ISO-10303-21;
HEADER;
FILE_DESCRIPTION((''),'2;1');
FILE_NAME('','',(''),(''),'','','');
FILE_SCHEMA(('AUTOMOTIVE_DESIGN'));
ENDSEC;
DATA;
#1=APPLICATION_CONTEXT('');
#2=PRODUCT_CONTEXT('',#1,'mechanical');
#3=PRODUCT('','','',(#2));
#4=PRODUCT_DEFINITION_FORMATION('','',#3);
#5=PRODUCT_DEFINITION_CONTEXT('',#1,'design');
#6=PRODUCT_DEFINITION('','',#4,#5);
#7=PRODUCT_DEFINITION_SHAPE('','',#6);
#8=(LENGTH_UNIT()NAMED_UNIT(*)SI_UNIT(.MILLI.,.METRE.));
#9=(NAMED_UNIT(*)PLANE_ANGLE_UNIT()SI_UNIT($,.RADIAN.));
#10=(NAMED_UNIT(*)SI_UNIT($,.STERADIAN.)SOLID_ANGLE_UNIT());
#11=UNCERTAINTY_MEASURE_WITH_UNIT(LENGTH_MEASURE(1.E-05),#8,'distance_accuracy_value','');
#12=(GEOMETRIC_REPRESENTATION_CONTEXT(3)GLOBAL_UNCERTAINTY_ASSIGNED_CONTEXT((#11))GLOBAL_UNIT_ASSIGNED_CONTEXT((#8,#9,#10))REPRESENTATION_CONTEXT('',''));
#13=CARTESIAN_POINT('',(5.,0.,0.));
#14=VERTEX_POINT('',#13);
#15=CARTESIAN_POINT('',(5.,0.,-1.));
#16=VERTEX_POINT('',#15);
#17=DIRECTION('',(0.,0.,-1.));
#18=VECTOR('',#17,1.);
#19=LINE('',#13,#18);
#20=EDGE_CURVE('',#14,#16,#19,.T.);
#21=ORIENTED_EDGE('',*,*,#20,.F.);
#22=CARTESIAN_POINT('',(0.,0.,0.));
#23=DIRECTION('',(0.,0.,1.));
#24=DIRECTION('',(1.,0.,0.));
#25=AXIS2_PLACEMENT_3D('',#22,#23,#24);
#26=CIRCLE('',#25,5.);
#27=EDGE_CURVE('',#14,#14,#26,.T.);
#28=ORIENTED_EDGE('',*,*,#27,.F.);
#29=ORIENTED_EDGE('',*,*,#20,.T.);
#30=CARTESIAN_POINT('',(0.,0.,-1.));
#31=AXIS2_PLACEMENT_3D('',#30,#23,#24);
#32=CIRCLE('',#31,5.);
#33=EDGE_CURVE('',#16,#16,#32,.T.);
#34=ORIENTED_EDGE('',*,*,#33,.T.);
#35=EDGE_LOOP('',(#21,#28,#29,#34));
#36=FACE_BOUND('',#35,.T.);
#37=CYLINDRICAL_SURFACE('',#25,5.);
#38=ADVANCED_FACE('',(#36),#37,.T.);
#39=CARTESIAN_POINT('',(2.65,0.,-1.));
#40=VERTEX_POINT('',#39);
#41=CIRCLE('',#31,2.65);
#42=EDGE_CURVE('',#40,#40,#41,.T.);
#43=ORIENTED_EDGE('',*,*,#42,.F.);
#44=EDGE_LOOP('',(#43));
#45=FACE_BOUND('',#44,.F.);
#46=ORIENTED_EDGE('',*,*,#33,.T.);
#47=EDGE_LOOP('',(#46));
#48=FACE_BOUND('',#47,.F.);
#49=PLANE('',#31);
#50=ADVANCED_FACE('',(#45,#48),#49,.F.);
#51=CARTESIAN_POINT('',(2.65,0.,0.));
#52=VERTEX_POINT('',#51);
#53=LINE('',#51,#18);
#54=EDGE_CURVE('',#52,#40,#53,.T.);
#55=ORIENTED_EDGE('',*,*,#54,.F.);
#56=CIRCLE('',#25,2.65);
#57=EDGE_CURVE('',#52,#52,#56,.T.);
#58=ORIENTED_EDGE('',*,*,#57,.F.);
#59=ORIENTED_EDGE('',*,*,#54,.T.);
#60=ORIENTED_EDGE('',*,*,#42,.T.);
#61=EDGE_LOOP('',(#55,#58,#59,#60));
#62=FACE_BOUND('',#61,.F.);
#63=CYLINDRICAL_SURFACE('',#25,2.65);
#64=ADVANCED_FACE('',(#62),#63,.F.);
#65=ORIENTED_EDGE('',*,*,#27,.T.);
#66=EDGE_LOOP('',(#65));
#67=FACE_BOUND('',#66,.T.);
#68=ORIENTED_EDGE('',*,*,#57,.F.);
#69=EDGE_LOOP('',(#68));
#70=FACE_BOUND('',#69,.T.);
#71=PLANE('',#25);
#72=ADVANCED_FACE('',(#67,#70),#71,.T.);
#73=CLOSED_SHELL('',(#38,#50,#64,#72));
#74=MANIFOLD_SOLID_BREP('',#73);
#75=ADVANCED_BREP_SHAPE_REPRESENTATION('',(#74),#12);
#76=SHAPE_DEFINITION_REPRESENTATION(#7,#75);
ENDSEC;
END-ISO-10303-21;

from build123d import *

# Parameters (mm, degrees)
SKETCH1_R          = 5
SKETCH1_R_2        = 2.65
BASE_EXTRUDE_DEPTH = 1


with BuildPart() as part:
    # Sketch1 → Base-Extrude (new body)
    with BuildSketch(Plane.XY):
        Circle(SKETCH1_R)
        Circle(SKETCH1_R_2, mode=Mode.SUBTRACT)
    extrude(amount=-BASE_EXTRUDE_DEPTH)


solid = part.part
